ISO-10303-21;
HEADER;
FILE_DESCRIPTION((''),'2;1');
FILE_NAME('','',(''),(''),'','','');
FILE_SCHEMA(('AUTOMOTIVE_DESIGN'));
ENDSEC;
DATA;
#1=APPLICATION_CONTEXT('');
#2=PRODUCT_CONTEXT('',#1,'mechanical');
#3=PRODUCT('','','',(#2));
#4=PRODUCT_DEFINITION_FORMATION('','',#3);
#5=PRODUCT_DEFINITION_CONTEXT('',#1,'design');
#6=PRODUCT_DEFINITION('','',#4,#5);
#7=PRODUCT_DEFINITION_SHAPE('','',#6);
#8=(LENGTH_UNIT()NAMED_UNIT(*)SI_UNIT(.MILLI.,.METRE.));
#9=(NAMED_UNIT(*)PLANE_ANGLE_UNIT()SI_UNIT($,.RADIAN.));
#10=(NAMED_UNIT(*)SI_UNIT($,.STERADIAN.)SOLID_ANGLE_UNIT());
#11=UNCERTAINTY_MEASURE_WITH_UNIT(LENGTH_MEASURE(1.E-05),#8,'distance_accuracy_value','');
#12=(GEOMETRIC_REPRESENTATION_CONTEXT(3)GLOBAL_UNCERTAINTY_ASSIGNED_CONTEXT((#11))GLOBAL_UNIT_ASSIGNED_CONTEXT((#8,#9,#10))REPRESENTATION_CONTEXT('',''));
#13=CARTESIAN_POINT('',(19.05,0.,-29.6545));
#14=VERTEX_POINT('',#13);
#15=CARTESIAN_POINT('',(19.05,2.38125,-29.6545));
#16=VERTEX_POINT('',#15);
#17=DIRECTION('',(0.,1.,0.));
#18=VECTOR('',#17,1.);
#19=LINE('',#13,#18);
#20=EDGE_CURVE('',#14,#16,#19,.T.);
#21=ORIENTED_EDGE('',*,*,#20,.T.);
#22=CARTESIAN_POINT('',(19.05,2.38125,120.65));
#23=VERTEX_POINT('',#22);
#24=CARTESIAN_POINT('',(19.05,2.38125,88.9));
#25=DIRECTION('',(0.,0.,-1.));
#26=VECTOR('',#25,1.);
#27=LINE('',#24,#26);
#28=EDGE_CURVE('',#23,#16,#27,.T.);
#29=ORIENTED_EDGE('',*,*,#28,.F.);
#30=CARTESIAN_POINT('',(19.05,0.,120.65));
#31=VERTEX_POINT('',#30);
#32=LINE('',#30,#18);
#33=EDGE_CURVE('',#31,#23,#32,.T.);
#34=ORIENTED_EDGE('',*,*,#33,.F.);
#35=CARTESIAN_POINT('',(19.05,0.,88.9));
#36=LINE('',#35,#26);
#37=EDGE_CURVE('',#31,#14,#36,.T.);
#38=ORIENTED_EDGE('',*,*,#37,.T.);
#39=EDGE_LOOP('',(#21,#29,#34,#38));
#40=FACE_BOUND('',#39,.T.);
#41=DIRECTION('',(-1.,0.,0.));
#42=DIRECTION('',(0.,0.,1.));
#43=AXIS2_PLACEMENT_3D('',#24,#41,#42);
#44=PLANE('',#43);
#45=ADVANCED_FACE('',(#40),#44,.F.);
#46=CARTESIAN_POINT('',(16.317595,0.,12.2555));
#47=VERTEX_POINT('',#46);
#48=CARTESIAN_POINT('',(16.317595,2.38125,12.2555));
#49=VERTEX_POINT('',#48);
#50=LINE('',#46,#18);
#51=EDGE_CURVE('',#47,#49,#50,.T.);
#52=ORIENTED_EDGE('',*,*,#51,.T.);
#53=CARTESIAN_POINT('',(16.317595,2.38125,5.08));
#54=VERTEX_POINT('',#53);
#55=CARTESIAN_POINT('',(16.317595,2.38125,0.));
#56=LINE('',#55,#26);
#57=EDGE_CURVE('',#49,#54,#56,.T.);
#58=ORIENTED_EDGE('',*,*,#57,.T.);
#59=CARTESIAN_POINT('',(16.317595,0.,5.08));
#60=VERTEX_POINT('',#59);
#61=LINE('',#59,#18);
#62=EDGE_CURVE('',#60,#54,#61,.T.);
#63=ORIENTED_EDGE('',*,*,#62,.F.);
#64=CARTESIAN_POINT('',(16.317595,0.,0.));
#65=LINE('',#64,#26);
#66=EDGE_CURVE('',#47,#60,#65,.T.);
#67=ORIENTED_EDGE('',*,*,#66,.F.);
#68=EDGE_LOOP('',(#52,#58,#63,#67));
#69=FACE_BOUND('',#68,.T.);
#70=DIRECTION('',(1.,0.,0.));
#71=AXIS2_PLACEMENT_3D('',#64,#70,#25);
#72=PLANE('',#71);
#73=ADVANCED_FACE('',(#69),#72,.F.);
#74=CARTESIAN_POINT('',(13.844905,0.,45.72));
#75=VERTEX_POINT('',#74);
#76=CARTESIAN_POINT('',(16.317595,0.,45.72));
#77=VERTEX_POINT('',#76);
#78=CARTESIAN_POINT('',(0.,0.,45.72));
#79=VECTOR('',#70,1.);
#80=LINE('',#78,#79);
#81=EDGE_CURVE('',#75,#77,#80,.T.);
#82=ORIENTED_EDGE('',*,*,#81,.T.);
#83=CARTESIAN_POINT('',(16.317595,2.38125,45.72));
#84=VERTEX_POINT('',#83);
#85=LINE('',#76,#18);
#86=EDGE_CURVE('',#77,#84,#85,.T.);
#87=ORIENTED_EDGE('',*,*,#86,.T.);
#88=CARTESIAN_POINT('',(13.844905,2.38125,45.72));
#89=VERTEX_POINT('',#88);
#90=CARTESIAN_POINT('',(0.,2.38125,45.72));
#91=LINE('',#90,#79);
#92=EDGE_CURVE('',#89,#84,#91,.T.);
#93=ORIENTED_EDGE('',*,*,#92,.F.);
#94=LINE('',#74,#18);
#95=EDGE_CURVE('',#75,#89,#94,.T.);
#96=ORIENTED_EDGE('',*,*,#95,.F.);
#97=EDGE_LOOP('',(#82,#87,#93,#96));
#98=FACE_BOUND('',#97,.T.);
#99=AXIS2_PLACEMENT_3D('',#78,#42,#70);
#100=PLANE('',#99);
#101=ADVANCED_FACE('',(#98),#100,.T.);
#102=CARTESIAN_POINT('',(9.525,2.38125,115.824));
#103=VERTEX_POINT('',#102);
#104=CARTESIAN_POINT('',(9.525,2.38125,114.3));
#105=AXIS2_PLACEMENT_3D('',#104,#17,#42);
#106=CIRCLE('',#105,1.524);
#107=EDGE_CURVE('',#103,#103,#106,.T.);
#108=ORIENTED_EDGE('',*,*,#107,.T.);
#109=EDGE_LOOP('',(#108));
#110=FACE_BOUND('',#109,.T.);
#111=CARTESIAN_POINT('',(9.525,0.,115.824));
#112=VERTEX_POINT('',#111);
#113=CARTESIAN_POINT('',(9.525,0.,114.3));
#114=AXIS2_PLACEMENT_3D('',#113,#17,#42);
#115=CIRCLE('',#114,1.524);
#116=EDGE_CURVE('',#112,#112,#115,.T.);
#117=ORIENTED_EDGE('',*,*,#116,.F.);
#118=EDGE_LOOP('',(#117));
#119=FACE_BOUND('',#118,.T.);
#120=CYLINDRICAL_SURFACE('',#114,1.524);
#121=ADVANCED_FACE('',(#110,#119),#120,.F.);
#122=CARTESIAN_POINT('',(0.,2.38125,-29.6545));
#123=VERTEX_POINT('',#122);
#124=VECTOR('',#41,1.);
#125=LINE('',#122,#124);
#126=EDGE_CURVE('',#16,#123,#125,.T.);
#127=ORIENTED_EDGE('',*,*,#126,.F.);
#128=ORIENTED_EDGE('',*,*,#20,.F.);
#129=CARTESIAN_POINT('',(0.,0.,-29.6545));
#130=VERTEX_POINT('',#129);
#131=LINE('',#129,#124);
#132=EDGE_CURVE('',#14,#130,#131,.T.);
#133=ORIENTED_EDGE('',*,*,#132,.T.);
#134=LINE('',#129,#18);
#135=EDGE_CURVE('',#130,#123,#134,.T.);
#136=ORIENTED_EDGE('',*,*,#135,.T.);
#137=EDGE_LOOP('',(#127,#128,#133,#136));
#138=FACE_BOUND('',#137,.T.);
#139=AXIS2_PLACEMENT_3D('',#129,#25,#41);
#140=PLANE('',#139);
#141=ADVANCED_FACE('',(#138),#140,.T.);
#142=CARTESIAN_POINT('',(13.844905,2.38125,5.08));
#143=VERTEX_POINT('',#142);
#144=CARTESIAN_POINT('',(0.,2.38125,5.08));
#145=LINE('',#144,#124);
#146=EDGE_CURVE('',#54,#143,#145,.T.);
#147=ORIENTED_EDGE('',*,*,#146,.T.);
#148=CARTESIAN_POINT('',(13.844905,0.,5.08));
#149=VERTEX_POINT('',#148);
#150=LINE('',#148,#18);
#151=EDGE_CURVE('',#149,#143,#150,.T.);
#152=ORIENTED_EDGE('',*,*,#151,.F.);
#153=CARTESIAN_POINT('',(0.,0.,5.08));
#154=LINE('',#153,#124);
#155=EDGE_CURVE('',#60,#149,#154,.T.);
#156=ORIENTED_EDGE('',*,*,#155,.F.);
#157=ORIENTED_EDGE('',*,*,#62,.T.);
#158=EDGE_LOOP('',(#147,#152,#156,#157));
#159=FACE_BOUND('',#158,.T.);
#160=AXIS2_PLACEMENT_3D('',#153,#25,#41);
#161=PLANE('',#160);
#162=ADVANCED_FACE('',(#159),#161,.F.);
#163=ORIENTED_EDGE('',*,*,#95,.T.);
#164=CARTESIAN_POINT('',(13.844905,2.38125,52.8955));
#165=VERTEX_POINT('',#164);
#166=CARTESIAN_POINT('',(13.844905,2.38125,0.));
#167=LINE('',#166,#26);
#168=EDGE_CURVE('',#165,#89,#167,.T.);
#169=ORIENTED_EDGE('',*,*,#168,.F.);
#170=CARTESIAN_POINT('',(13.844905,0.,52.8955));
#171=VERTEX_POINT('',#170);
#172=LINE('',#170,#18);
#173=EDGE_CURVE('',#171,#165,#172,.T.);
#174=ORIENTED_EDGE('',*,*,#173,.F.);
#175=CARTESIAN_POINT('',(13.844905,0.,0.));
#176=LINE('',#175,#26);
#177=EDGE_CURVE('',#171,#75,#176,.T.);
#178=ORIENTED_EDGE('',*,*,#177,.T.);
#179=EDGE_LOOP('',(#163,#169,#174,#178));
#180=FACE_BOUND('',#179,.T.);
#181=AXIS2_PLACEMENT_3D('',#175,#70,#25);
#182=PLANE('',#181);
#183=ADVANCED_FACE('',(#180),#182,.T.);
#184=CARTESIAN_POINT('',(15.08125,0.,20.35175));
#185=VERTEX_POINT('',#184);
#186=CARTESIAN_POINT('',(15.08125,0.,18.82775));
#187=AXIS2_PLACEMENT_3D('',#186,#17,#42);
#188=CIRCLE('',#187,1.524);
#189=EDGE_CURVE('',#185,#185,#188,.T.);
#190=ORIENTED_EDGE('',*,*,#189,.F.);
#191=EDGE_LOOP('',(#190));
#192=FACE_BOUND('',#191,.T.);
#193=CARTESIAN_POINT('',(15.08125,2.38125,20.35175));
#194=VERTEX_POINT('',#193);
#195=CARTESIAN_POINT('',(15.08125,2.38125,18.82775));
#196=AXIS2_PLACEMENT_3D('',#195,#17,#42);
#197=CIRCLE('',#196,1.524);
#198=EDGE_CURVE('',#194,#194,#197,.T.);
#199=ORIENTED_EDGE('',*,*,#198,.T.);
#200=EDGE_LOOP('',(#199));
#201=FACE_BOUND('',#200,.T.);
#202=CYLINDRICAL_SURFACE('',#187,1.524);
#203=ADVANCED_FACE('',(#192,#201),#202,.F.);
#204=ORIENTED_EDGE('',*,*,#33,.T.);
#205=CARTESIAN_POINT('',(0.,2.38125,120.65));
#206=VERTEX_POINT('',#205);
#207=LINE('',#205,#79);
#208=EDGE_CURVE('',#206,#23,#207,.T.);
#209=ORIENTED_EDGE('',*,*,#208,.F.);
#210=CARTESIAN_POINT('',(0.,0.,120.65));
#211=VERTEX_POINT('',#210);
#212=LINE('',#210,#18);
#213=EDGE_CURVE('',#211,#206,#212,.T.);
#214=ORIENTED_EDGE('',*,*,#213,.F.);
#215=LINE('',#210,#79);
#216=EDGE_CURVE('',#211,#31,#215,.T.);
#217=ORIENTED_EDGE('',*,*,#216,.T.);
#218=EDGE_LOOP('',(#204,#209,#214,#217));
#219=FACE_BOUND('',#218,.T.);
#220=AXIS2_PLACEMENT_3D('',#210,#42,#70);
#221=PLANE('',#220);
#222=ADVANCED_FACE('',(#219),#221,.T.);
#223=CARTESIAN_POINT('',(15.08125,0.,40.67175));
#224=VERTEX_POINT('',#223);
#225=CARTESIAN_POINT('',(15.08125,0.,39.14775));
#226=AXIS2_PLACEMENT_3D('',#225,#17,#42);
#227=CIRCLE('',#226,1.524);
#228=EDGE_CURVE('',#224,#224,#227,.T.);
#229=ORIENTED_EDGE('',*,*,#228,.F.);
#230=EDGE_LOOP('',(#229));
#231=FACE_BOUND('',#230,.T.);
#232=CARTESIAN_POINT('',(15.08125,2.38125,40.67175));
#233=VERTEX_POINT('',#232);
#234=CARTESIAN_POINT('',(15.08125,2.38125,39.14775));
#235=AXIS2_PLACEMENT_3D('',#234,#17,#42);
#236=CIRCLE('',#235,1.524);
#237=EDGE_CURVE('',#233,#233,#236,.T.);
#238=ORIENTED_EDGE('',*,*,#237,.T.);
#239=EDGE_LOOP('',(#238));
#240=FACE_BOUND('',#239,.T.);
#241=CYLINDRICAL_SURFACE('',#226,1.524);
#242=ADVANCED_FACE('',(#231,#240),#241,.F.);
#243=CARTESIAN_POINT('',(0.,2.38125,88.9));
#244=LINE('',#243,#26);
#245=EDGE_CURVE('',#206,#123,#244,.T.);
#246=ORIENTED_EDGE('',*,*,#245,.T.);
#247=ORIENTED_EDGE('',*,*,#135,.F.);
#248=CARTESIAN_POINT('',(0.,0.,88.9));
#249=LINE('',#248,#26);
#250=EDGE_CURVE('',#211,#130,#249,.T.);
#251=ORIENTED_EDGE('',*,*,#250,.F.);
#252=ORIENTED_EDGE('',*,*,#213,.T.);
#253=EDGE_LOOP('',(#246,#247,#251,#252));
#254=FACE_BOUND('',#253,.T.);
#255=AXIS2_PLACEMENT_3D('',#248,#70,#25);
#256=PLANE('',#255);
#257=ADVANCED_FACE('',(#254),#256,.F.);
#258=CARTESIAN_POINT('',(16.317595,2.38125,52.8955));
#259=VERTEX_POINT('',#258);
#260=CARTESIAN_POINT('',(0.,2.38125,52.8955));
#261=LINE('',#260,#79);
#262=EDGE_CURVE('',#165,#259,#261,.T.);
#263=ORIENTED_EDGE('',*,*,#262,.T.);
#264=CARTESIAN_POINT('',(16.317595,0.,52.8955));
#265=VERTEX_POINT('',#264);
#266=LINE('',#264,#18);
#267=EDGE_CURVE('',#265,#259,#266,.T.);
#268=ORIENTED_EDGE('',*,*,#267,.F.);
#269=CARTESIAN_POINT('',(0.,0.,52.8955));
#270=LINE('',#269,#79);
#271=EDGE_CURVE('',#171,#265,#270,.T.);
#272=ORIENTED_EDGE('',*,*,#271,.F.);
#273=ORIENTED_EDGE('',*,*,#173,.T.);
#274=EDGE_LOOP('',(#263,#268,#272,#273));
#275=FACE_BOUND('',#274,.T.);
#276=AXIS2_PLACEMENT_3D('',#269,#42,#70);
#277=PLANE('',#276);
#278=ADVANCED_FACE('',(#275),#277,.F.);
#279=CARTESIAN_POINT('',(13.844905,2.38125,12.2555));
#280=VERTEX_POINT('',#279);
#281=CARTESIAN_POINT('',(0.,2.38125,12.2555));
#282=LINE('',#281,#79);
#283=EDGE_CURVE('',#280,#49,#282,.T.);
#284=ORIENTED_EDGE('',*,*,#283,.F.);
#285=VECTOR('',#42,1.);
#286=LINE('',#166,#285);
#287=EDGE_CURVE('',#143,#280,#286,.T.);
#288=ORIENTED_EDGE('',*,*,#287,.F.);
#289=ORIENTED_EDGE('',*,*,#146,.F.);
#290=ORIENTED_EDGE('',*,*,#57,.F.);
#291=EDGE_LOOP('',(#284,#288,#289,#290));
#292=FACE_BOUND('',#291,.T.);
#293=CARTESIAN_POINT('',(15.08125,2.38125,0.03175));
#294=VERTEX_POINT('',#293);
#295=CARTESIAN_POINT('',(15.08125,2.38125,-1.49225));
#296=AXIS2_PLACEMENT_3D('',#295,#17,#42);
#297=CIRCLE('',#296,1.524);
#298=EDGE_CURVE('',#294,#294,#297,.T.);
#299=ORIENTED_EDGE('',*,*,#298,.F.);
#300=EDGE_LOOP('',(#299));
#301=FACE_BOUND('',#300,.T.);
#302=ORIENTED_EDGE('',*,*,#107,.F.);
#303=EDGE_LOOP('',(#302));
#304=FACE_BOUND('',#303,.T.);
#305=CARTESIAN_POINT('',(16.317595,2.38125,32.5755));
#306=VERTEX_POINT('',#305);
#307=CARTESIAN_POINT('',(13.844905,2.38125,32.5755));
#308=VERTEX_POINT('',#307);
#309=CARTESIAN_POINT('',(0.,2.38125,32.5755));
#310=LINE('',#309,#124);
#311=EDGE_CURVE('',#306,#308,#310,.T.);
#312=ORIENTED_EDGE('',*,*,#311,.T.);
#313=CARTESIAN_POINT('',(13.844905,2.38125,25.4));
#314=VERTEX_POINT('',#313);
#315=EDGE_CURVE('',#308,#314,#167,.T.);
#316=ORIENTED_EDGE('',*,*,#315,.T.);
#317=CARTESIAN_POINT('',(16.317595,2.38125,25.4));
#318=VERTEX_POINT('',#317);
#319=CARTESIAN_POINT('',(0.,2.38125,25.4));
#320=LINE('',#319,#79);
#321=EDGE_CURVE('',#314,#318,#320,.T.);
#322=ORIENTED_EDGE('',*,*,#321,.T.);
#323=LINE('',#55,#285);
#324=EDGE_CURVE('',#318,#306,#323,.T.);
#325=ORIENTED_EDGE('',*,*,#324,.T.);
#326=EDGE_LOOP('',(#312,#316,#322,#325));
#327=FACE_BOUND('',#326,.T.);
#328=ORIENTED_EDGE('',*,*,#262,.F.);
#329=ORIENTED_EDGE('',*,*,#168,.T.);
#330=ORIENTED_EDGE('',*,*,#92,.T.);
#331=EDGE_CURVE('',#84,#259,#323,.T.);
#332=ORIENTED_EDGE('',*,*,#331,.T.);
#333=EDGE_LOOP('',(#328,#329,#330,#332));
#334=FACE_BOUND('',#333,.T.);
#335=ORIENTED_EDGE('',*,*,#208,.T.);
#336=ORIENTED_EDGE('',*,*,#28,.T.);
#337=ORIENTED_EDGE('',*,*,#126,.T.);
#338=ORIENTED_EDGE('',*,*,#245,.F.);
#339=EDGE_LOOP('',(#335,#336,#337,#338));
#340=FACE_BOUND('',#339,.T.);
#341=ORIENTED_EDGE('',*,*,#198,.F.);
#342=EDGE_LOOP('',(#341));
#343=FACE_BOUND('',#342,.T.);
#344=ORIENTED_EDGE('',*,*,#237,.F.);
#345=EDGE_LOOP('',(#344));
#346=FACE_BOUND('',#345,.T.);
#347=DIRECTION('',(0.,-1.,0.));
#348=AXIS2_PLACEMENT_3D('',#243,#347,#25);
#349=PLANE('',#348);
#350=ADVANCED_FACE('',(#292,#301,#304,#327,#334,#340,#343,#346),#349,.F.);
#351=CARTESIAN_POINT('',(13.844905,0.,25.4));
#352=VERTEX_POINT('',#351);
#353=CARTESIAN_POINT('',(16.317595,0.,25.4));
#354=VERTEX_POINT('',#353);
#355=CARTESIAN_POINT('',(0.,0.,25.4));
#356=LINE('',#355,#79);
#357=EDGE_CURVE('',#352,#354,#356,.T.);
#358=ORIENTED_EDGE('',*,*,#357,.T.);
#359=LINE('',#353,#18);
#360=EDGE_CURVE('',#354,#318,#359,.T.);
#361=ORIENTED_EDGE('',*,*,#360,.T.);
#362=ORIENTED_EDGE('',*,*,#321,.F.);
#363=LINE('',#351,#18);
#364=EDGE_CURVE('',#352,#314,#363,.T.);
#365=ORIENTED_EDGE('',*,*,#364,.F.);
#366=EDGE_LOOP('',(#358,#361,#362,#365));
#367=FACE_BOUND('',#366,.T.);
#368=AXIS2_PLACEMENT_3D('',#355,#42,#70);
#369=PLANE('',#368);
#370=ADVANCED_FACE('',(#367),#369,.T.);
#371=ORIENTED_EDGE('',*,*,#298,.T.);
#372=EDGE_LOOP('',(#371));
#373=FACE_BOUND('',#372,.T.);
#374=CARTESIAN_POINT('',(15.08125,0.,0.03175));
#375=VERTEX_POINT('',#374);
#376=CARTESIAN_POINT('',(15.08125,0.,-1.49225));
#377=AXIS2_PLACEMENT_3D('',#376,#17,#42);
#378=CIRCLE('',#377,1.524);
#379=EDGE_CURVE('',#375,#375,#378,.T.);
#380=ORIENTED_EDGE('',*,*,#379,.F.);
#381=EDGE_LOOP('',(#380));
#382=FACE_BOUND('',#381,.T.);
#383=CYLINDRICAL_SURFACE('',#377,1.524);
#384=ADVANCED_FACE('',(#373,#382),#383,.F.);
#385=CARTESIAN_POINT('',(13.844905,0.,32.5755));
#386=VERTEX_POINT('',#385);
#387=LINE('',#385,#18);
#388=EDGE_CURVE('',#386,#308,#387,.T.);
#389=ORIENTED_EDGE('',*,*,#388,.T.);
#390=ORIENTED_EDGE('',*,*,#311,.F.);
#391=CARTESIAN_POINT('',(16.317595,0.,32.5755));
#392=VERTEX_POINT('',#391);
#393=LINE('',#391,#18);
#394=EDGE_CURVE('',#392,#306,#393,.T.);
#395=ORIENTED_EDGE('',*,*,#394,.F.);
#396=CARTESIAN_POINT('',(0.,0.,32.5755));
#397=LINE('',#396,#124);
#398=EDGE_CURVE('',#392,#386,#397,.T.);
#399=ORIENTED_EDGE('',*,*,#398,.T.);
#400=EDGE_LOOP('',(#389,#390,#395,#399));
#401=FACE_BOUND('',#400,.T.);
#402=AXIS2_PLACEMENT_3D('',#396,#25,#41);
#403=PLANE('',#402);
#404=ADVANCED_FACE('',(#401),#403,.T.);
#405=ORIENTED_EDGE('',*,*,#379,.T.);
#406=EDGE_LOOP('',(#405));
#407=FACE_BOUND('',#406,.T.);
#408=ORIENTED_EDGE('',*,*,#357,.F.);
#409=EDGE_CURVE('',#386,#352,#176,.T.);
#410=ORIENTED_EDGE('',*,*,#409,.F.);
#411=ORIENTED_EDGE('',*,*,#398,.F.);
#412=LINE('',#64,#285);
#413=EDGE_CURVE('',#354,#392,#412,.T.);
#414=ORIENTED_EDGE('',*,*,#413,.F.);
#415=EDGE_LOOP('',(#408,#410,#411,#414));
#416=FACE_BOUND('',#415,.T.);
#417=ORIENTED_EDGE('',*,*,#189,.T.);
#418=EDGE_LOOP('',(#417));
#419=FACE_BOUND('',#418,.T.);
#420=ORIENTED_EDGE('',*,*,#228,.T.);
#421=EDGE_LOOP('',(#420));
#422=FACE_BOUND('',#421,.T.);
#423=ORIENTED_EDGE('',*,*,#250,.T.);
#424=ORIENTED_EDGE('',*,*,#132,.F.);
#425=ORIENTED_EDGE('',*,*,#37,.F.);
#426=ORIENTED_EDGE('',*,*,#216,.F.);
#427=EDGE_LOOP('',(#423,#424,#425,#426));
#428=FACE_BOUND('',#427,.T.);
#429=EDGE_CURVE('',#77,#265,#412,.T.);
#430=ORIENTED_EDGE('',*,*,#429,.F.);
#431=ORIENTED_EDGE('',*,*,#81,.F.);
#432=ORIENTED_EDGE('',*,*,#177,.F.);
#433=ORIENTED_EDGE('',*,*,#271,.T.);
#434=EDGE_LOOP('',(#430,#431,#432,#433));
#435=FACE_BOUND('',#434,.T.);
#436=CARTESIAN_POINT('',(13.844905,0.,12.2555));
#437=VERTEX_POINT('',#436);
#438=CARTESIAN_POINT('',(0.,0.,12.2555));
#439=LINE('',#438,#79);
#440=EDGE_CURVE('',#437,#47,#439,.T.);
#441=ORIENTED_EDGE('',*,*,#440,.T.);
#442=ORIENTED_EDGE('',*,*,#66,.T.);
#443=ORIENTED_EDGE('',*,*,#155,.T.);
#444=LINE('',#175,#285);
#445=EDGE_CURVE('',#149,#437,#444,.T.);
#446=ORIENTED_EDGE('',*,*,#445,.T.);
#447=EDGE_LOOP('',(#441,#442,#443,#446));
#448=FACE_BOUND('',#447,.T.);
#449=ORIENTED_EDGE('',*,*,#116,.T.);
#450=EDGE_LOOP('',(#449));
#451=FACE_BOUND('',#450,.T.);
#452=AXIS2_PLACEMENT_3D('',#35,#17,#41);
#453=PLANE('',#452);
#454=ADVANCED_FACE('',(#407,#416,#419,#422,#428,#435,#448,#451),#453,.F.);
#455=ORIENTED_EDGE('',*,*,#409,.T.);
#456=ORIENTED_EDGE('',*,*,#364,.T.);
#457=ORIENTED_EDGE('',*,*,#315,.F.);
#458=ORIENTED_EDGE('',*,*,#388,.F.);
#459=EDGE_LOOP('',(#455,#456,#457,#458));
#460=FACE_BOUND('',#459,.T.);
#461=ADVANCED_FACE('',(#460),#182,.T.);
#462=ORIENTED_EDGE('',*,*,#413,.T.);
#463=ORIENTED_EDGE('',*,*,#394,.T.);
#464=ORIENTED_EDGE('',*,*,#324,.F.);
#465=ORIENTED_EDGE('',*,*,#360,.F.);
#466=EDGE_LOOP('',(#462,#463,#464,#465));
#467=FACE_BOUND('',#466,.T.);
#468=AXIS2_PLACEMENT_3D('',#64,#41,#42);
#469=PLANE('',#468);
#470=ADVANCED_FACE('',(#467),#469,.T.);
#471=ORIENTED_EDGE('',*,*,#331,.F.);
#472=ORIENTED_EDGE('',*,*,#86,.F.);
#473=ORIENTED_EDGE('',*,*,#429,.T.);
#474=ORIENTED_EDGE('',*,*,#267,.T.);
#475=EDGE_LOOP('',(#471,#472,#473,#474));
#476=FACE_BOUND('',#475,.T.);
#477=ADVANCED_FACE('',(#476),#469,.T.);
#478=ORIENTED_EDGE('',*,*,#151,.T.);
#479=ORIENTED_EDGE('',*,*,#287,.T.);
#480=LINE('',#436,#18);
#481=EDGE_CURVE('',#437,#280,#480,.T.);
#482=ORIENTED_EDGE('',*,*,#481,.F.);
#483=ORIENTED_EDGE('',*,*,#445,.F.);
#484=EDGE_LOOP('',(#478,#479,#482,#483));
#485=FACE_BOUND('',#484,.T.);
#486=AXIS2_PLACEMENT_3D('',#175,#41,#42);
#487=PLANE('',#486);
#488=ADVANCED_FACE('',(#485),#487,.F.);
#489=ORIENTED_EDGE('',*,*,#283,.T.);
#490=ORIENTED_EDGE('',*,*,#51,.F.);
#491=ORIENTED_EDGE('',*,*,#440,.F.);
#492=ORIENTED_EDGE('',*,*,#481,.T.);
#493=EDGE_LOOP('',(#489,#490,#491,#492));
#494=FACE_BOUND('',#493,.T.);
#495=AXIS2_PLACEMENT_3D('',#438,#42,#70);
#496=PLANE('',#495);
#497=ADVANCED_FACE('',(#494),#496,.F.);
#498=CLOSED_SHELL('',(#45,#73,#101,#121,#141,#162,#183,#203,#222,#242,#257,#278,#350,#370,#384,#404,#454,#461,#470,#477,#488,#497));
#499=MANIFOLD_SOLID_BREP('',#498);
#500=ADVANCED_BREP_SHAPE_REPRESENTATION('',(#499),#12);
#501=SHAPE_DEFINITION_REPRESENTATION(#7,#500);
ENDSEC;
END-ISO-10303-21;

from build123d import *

# Parameters (mm, degrees)
SKETCH1_W           = 19.05
SKETCH1_H           = 2.38125
BOSS_EXTRUDE1_DEPTH = 88.9
SKETCH5_R           = 1.524
CUT_EXTRUDE4_DEPTH  = 3.38125
SKETCH9_W           = 19.05
SKETCH9_H           = 29.6545
BOSS_EXTRUDE4_DEPTH = 2.38125
SKETCH10_W          = 2.47269
SKETCH10_H          = 3.58775
SKETCH10_R          = 1.524
CUT_EXTRUDE5_DEPTH  = 3.38125
BOSS_EXTRUDE5_DEPTH = 2.38125
SKETCH11_R          = 1.524
CUT_EXTRUDE6_DEPTH  = 3.38125


with BuildPart() as part:
    # Sketch1 → Boss-Extrude1 (new body)
    with BuildSketch(Plane.XY):
        with Locations((9.525, 1.190625)):
            Rectangle(SKETCH1_W, SKETCH1_H)
    extrude(amount=BOSS_EXTRUDE1_DEPTH)

    # Sketch5 → Cut-Extrude4 (cut, through all)
    with BuildSketch(Plane(origin=(0, 2.38125, 0), x_dir=(1, 0, 0), z_dir=(0, 1, 0))):
        with Locations((15.08125, -39.14775)):
            Circle(SKETCH5_R)
        with Locations((15.08125, -18.82775)):
            Circle(SKETCH5_R)
        Polygon((16.317595, -28.98775), (16.317595, -32.5755), (15.08125, -32.5755), (13.844905, -32.5755), (13.844905, -25.4), (16.317595, -25.4), align=None)
        Polygon((15.08125, -52.8955), (16.317595, -52.8955), (16.317595, -45.72), (13.844905, -45.72), (13.844905, -52.8955), align=None)
    extrude(amount=-CUT_EXTRUDE4_DEPTH, mode=Mode.SUBTRACT)

    # Sketch9 → Boss-Extrude4 (add)
    with BuildSketch(Plane(origin=(0, 2.38125, 0), x_dir=(1, 0, 0), z_dir=(0, 1, 0))):
        with Locations((9.525, 14.82725)):
            Rectangle(SKETCH9_W, SKETCH9_H)
    extrude(amount=-BOSS_EXTRUDE4_DEPTH)

    # Sketch10 → Cut-Extrude5 (cut, through all)
    with BuildSketch(Plane(origin=(0, 2.38125, 0), x_dir=(1, 0, 0), z_dir=(0, 1, 0))):
        with Locations((15.08125, -6.873875)):
            Rectangle(SKETCH10_W, SKETCH10_H)
        with Locations((15.08125, -10.461625)):
            Rectangle(SKETCH10_W, SKETCH10_H)
        with Locations((15.08125, 1.49225)):
            Circle(SKETCH10_R)
    extrude(amount=-CUT_EXTRUDE5_DEPTH, mode=Mode.SUBTRACT)

    # Sketch8 → Boss-Extrude5 (add)
    with BuildSketch(Plane(origin=(0, 2.38125, 0), x_dir=(1, 0, 0), z_dir=(0, 1, 0))):
        Polygon((19.05, -88.9), (0, -88.9), (0, -114.3), (0, -120.65), (19.05, -120.65), (19.05, -114.3), align=None)
    extrude(amount=-BOSS_EXTRUDE5_DEPTH)

    # Sketch11 → Cut-Extrude6 (cut, through all)
    with BuildSketch(Plane(origin=(0, 2.38125, 0), x_dir=(1, 0, 0), z_dir=(0, 1, 0))):
        with Locations((9.525, -114.3)):
            Circle(SKETCH11_R)
    extrude(amount=-CUT_EXTRUDE6_DEPTH, mode=Mode.SUBTRACT)


solid = part.part
